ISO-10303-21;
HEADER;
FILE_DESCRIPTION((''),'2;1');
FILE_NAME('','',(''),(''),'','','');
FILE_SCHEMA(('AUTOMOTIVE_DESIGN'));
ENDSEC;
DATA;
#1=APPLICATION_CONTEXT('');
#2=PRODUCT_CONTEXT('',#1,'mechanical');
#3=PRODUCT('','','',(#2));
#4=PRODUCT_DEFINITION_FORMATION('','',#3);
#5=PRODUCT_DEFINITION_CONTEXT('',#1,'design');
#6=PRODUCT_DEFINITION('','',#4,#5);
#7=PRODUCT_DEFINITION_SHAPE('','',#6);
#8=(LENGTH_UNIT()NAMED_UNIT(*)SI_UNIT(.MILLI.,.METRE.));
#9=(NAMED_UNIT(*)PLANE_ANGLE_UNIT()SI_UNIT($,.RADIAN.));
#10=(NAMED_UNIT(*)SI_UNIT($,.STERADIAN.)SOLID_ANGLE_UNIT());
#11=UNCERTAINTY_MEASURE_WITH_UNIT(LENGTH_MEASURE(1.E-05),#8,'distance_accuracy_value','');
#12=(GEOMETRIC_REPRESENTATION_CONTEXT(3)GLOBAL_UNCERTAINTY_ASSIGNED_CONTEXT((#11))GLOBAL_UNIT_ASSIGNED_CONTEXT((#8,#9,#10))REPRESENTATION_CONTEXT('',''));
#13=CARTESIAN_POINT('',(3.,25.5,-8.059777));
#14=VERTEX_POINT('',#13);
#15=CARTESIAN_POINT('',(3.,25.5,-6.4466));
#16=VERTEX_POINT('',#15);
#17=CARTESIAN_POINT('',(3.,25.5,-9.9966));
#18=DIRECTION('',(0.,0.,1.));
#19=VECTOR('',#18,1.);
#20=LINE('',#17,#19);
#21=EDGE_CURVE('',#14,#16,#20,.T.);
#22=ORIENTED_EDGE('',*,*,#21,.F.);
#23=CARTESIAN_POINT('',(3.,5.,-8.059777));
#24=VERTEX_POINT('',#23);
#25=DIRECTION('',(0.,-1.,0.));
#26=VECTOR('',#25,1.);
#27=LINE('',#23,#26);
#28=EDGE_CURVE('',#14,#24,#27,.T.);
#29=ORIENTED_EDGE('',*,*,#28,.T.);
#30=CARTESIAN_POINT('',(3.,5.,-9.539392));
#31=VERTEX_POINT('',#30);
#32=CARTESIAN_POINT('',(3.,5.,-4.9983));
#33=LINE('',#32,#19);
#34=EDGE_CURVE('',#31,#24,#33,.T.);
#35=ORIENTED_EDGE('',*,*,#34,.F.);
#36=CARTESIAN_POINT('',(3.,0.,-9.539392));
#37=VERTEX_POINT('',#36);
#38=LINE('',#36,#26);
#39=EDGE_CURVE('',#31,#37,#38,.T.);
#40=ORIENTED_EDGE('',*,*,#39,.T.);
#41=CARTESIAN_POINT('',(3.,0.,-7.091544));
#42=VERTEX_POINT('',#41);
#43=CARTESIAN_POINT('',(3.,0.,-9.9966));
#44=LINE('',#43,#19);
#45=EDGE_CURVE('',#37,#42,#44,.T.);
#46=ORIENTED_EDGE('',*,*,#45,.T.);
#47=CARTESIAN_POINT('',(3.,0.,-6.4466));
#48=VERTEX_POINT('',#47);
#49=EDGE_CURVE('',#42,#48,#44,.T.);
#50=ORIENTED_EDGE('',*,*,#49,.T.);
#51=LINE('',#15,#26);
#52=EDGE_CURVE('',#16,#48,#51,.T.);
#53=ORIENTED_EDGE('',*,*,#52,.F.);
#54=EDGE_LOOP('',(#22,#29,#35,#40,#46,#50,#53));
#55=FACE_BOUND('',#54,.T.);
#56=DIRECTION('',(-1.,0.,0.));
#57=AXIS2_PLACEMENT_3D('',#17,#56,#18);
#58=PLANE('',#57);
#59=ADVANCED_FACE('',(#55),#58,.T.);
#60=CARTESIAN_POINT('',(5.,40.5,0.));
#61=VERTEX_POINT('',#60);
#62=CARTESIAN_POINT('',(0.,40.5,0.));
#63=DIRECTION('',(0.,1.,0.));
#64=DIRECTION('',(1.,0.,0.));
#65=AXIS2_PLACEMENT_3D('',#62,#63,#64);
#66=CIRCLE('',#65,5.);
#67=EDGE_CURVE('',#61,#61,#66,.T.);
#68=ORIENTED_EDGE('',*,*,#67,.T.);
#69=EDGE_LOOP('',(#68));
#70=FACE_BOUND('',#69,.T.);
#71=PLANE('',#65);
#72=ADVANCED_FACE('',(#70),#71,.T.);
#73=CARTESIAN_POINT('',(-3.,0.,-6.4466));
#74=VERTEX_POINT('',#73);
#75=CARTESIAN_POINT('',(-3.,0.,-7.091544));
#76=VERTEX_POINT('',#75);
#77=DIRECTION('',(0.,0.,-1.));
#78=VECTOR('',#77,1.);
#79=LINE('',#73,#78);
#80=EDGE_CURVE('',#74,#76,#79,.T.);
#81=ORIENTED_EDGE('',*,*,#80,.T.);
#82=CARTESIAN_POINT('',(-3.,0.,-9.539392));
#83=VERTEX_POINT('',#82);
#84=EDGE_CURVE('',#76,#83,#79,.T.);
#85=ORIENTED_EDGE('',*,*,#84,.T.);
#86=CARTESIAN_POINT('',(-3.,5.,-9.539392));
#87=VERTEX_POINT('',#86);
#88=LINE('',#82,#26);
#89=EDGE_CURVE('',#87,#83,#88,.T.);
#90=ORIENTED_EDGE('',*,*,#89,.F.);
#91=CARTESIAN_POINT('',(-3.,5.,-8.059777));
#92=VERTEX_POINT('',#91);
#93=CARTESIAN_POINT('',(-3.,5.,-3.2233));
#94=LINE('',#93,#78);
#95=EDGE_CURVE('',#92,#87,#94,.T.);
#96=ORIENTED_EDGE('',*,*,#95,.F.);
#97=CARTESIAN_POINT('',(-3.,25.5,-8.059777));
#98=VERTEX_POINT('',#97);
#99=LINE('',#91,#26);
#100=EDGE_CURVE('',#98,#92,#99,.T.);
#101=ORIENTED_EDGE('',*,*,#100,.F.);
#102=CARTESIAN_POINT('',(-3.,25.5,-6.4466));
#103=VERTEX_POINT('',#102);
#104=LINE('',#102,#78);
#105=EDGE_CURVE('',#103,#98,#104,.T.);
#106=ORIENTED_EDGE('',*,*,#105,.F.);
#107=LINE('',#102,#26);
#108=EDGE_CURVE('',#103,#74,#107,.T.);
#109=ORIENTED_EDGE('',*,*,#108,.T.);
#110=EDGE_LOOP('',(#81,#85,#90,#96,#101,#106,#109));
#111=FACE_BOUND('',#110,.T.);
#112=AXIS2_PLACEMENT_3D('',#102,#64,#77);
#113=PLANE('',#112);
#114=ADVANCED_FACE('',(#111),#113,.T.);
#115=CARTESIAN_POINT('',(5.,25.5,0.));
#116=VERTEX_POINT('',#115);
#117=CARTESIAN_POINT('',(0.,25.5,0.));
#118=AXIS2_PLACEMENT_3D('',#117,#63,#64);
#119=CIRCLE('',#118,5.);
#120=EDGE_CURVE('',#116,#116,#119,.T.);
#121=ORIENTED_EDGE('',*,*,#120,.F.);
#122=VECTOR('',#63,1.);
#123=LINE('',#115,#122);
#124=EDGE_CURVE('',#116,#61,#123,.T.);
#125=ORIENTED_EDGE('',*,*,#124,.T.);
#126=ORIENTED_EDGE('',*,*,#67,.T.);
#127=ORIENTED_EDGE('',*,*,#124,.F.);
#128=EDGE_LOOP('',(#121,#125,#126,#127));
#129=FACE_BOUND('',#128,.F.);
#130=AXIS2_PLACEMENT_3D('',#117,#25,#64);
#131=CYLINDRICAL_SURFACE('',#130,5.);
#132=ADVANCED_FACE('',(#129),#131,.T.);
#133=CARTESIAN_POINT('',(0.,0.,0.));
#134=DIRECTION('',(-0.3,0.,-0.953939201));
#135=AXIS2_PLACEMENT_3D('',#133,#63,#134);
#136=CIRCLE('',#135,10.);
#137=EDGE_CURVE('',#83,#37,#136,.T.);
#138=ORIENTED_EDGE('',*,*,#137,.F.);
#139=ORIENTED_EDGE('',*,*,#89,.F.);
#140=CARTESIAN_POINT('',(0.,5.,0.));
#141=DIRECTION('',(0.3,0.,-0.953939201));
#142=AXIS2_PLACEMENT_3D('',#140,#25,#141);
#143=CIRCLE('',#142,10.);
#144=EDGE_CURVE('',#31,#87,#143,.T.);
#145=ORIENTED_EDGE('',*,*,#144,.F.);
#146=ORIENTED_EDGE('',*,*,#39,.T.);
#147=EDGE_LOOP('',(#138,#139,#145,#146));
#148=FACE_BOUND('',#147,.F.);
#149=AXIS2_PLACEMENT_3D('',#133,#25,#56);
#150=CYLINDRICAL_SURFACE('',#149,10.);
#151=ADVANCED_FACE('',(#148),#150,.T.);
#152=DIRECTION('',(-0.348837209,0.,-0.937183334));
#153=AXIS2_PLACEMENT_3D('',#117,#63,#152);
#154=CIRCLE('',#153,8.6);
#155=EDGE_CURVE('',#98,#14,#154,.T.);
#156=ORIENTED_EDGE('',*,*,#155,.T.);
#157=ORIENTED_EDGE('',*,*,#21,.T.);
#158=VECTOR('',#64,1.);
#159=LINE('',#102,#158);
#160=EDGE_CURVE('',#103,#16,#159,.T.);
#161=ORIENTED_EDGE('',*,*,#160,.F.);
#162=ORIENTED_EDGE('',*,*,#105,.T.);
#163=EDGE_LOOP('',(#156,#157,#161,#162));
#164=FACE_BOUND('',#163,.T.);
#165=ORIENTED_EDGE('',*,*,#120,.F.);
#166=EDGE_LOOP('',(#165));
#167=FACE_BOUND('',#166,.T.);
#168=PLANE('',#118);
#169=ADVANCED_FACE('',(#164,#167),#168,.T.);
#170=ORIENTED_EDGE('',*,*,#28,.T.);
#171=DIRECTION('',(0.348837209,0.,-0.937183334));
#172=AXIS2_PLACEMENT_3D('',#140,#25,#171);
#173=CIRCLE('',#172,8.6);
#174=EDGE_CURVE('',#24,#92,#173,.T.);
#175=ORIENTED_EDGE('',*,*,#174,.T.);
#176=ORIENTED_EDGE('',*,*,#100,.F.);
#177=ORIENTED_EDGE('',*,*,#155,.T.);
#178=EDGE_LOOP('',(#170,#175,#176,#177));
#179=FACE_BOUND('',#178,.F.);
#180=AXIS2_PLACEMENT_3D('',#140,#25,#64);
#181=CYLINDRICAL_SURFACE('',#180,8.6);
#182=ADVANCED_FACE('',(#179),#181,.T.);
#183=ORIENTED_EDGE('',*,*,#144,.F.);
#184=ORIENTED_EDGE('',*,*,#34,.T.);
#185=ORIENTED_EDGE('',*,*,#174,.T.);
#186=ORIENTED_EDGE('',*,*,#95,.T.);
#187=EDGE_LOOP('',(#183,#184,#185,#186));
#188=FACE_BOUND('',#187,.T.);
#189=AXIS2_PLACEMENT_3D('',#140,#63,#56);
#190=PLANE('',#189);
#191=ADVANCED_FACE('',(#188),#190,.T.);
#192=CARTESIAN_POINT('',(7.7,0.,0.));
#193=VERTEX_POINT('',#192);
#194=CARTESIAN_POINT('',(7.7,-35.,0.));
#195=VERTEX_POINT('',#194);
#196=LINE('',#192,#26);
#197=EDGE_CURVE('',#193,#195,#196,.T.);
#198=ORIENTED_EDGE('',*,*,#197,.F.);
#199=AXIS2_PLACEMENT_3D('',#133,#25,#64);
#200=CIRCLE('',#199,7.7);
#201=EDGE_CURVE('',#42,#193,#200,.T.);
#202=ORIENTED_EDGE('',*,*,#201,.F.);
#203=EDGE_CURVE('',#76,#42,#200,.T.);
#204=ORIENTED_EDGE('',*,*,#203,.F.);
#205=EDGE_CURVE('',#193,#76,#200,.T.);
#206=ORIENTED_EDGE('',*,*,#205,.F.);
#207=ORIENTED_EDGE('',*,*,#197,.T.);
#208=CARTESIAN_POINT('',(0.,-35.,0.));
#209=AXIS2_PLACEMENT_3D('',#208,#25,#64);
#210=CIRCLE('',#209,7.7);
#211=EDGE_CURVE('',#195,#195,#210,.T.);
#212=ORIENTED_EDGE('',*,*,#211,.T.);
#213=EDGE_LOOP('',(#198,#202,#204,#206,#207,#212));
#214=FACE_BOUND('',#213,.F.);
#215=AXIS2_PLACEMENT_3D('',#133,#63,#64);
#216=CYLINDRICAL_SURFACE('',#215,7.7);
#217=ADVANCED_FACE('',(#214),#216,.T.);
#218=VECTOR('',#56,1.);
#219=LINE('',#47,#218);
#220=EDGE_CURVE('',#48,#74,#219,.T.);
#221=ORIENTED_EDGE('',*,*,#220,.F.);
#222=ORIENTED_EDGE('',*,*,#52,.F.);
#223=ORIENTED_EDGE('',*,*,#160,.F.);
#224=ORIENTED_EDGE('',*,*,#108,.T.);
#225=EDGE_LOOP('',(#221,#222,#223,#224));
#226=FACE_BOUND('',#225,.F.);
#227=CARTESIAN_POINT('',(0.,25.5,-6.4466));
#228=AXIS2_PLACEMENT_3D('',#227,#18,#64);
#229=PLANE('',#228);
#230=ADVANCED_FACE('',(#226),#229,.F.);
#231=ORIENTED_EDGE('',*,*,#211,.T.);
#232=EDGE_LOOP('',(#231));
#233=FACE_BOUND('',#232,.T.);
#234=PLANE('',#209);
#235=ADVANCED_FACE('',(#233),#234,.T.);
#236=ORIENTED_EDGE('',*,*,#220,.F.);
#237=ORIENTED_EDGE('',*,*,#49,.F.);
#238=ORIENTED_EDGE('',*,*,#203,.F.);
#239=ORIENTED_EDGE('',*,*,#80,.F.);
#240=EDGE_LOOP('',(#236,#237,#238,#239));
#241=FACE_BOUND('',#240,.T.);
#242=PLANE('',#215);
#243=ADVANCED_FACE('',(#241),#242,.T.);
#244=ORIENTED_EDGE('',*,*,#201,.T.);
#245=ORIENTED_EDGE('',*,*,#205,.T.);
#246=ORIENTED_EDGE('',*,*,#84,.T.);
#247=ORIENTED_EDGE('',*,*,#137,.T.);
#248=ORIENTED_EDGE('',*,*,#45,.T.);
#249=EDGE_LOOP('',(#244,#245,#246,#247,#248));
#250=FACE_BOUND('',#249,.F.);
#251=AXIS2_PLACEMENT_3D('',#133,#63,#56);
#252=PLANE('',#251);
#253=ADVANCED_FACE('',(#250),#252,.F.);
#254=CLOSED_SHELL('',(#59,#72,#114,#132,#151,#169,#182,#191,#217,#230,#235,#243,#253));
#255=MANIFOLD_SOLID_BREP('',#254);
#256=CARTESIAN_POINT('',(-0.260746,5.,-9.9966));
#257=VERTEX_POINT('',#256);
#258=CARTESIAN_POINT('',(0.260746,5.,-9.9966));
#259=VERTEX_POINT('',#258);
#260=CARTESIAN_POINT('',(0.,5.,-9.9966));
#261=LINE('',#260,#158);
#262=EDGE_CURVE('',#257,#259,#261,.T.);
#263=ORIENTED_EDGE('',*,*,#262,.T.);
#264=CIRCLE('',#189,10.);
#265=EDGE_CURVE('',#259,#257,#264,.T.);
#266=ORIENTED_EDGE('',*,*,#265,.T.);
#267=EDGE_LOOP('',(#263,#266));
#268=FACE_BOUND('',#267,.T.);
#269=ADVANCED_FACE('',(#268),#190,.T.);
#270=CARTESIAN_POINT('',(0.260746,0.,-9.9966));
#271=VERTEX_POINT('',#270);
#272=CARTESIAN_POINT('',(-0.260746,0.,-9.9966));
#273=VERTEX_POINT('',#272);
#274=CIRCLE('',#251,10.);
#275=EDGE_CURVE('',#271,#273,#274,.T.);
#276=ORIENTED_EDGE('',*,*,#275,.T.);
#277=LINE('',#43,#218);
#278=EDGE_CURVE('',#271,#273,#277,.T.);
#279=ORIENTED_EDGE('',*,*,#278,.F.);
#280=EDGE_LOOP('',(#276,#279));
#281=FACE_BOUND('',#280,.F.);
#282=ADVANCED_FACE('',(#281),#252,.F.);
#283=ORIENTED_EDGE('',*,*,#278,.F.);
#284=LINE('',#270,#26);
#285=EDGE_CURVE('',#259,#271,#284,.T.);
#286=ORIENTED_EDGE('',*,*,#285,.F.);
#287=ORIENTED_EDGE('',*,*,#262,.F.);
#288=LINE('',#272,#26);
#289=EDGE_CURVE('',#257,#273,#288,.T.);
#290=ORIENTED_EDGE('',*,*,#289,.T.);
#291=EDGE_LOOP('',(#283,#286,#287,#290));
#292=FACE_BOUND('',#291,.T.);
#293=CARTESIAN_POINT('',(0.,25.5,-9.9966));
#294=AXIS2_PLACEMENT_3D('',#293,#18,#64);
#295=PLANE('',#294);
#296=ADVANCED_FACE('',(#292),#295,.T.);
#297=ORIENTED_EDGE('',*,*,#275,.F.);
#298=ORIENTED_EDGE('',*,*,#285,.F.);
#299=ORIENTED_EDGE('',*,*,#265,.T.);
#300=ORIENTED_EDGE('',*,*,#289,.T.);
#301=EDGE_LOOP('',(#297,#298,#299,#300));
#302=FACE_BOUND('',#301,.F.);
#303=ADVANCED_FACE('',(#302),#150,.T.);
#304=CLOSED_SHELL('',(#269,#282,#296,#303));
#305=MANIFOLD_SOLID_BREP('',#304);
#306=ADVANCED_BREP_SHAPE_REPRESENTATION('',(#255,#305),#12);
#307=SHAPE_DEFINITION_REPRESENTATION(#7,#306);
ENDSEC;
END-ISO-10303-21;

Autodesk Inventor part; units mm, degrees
ref_plane "YZ Plane" through (0, 0, 0) normal (1, 0, 0) x (0, 1, 0)
ref_plane "XZ Plane" through (0, 0, 0) normal (0, 1, 0) x (-1, 0, 0)
ref_plane "XY Plane" through (0, 0, 0) normal (0, 0, 1) x (1, 0, 0)
sketch "Sketch1" plane through (0, 0, 0) normal (0, 1, 0) x (-1, 0, 0)
  point P0 (0, 0)
sketch "Sketch2" plane through (0, 0, 0) normal (0, 1, 0) x (-1, 0, 0)
  circle A0 centre (0, 0) radius 10
  dimension "d0" = 20
extrude "Extrusion1" add sketch "Sketch2" along normal blind 5
sketch "Sketch3" plane through (0, 5, 0) normal (0, 1, 0) x (1, 0, 0)
  circle A0 centre (0, 0) radius 10 projected
  circle A1 centre (0, 0) radius 8.6
  dimension "d3" = 17.2
extrude "Extrusion2" add sketch "Sketch3" along normal blind 20.5 contours A1
sketch "Sketch4" plane through (0, 25.5, 0) normal (0, 1, 0) x (1, 0, 0)
  circle A0 centre (0, 0) radius 8.6 projected
  circle A1 centre (0, 0) radius 5
  dimension "d6" = 10
extrude "Extrusion3" add sketch "Sketch4" along normal blind 15 contours A1
sketch "Sketch5" plane through (0, 0, 0) normal (0, -1, 0) x (1, 0, 0)
  circle A0 centre (0, 0) radius 10 projected
  circle A1 centre (0, 0) radius 7.7
  dimension "d9" = 15.4
extrude "Extrusion4" add sketch "Sketch5" along normal blind 35 contours A1
sketch "Sketch6" plane through (0, 25.5, 0) normal (0, 1, 0) x (1, 0, 0)
  line L0 (0, 9.9966) -> (0, 6.4466)
  line L1 (0, 6.4466) -> (3, 6.4466)
  line L2 (3, 6.4466) -> (-3, 6.4466)
  line L3 (-3, 6.4466) -> (-3, 9.9966)
  line L4 (-3, 9.9966) -> (3, 9.9966)
  line L5 (3, 9.9966) -> (3, 6.4466)
  dimension "d13" = 3.55
  dimension "d14" = 3
  dimension "d15" = 6
  dimension "d16" = 3.55
sketch "Sketch7" plane through (0, 40.5, 0) normal (0, 1, 0) x (1, 0, 0)
  circle A0 centre (0, 0) radius 5 projected
extrude "Extrusion5" cut sketch "Sketch6" against normal blind 25.5
properties part number "driving_shaft" material "Glass, Clear Glazing"
